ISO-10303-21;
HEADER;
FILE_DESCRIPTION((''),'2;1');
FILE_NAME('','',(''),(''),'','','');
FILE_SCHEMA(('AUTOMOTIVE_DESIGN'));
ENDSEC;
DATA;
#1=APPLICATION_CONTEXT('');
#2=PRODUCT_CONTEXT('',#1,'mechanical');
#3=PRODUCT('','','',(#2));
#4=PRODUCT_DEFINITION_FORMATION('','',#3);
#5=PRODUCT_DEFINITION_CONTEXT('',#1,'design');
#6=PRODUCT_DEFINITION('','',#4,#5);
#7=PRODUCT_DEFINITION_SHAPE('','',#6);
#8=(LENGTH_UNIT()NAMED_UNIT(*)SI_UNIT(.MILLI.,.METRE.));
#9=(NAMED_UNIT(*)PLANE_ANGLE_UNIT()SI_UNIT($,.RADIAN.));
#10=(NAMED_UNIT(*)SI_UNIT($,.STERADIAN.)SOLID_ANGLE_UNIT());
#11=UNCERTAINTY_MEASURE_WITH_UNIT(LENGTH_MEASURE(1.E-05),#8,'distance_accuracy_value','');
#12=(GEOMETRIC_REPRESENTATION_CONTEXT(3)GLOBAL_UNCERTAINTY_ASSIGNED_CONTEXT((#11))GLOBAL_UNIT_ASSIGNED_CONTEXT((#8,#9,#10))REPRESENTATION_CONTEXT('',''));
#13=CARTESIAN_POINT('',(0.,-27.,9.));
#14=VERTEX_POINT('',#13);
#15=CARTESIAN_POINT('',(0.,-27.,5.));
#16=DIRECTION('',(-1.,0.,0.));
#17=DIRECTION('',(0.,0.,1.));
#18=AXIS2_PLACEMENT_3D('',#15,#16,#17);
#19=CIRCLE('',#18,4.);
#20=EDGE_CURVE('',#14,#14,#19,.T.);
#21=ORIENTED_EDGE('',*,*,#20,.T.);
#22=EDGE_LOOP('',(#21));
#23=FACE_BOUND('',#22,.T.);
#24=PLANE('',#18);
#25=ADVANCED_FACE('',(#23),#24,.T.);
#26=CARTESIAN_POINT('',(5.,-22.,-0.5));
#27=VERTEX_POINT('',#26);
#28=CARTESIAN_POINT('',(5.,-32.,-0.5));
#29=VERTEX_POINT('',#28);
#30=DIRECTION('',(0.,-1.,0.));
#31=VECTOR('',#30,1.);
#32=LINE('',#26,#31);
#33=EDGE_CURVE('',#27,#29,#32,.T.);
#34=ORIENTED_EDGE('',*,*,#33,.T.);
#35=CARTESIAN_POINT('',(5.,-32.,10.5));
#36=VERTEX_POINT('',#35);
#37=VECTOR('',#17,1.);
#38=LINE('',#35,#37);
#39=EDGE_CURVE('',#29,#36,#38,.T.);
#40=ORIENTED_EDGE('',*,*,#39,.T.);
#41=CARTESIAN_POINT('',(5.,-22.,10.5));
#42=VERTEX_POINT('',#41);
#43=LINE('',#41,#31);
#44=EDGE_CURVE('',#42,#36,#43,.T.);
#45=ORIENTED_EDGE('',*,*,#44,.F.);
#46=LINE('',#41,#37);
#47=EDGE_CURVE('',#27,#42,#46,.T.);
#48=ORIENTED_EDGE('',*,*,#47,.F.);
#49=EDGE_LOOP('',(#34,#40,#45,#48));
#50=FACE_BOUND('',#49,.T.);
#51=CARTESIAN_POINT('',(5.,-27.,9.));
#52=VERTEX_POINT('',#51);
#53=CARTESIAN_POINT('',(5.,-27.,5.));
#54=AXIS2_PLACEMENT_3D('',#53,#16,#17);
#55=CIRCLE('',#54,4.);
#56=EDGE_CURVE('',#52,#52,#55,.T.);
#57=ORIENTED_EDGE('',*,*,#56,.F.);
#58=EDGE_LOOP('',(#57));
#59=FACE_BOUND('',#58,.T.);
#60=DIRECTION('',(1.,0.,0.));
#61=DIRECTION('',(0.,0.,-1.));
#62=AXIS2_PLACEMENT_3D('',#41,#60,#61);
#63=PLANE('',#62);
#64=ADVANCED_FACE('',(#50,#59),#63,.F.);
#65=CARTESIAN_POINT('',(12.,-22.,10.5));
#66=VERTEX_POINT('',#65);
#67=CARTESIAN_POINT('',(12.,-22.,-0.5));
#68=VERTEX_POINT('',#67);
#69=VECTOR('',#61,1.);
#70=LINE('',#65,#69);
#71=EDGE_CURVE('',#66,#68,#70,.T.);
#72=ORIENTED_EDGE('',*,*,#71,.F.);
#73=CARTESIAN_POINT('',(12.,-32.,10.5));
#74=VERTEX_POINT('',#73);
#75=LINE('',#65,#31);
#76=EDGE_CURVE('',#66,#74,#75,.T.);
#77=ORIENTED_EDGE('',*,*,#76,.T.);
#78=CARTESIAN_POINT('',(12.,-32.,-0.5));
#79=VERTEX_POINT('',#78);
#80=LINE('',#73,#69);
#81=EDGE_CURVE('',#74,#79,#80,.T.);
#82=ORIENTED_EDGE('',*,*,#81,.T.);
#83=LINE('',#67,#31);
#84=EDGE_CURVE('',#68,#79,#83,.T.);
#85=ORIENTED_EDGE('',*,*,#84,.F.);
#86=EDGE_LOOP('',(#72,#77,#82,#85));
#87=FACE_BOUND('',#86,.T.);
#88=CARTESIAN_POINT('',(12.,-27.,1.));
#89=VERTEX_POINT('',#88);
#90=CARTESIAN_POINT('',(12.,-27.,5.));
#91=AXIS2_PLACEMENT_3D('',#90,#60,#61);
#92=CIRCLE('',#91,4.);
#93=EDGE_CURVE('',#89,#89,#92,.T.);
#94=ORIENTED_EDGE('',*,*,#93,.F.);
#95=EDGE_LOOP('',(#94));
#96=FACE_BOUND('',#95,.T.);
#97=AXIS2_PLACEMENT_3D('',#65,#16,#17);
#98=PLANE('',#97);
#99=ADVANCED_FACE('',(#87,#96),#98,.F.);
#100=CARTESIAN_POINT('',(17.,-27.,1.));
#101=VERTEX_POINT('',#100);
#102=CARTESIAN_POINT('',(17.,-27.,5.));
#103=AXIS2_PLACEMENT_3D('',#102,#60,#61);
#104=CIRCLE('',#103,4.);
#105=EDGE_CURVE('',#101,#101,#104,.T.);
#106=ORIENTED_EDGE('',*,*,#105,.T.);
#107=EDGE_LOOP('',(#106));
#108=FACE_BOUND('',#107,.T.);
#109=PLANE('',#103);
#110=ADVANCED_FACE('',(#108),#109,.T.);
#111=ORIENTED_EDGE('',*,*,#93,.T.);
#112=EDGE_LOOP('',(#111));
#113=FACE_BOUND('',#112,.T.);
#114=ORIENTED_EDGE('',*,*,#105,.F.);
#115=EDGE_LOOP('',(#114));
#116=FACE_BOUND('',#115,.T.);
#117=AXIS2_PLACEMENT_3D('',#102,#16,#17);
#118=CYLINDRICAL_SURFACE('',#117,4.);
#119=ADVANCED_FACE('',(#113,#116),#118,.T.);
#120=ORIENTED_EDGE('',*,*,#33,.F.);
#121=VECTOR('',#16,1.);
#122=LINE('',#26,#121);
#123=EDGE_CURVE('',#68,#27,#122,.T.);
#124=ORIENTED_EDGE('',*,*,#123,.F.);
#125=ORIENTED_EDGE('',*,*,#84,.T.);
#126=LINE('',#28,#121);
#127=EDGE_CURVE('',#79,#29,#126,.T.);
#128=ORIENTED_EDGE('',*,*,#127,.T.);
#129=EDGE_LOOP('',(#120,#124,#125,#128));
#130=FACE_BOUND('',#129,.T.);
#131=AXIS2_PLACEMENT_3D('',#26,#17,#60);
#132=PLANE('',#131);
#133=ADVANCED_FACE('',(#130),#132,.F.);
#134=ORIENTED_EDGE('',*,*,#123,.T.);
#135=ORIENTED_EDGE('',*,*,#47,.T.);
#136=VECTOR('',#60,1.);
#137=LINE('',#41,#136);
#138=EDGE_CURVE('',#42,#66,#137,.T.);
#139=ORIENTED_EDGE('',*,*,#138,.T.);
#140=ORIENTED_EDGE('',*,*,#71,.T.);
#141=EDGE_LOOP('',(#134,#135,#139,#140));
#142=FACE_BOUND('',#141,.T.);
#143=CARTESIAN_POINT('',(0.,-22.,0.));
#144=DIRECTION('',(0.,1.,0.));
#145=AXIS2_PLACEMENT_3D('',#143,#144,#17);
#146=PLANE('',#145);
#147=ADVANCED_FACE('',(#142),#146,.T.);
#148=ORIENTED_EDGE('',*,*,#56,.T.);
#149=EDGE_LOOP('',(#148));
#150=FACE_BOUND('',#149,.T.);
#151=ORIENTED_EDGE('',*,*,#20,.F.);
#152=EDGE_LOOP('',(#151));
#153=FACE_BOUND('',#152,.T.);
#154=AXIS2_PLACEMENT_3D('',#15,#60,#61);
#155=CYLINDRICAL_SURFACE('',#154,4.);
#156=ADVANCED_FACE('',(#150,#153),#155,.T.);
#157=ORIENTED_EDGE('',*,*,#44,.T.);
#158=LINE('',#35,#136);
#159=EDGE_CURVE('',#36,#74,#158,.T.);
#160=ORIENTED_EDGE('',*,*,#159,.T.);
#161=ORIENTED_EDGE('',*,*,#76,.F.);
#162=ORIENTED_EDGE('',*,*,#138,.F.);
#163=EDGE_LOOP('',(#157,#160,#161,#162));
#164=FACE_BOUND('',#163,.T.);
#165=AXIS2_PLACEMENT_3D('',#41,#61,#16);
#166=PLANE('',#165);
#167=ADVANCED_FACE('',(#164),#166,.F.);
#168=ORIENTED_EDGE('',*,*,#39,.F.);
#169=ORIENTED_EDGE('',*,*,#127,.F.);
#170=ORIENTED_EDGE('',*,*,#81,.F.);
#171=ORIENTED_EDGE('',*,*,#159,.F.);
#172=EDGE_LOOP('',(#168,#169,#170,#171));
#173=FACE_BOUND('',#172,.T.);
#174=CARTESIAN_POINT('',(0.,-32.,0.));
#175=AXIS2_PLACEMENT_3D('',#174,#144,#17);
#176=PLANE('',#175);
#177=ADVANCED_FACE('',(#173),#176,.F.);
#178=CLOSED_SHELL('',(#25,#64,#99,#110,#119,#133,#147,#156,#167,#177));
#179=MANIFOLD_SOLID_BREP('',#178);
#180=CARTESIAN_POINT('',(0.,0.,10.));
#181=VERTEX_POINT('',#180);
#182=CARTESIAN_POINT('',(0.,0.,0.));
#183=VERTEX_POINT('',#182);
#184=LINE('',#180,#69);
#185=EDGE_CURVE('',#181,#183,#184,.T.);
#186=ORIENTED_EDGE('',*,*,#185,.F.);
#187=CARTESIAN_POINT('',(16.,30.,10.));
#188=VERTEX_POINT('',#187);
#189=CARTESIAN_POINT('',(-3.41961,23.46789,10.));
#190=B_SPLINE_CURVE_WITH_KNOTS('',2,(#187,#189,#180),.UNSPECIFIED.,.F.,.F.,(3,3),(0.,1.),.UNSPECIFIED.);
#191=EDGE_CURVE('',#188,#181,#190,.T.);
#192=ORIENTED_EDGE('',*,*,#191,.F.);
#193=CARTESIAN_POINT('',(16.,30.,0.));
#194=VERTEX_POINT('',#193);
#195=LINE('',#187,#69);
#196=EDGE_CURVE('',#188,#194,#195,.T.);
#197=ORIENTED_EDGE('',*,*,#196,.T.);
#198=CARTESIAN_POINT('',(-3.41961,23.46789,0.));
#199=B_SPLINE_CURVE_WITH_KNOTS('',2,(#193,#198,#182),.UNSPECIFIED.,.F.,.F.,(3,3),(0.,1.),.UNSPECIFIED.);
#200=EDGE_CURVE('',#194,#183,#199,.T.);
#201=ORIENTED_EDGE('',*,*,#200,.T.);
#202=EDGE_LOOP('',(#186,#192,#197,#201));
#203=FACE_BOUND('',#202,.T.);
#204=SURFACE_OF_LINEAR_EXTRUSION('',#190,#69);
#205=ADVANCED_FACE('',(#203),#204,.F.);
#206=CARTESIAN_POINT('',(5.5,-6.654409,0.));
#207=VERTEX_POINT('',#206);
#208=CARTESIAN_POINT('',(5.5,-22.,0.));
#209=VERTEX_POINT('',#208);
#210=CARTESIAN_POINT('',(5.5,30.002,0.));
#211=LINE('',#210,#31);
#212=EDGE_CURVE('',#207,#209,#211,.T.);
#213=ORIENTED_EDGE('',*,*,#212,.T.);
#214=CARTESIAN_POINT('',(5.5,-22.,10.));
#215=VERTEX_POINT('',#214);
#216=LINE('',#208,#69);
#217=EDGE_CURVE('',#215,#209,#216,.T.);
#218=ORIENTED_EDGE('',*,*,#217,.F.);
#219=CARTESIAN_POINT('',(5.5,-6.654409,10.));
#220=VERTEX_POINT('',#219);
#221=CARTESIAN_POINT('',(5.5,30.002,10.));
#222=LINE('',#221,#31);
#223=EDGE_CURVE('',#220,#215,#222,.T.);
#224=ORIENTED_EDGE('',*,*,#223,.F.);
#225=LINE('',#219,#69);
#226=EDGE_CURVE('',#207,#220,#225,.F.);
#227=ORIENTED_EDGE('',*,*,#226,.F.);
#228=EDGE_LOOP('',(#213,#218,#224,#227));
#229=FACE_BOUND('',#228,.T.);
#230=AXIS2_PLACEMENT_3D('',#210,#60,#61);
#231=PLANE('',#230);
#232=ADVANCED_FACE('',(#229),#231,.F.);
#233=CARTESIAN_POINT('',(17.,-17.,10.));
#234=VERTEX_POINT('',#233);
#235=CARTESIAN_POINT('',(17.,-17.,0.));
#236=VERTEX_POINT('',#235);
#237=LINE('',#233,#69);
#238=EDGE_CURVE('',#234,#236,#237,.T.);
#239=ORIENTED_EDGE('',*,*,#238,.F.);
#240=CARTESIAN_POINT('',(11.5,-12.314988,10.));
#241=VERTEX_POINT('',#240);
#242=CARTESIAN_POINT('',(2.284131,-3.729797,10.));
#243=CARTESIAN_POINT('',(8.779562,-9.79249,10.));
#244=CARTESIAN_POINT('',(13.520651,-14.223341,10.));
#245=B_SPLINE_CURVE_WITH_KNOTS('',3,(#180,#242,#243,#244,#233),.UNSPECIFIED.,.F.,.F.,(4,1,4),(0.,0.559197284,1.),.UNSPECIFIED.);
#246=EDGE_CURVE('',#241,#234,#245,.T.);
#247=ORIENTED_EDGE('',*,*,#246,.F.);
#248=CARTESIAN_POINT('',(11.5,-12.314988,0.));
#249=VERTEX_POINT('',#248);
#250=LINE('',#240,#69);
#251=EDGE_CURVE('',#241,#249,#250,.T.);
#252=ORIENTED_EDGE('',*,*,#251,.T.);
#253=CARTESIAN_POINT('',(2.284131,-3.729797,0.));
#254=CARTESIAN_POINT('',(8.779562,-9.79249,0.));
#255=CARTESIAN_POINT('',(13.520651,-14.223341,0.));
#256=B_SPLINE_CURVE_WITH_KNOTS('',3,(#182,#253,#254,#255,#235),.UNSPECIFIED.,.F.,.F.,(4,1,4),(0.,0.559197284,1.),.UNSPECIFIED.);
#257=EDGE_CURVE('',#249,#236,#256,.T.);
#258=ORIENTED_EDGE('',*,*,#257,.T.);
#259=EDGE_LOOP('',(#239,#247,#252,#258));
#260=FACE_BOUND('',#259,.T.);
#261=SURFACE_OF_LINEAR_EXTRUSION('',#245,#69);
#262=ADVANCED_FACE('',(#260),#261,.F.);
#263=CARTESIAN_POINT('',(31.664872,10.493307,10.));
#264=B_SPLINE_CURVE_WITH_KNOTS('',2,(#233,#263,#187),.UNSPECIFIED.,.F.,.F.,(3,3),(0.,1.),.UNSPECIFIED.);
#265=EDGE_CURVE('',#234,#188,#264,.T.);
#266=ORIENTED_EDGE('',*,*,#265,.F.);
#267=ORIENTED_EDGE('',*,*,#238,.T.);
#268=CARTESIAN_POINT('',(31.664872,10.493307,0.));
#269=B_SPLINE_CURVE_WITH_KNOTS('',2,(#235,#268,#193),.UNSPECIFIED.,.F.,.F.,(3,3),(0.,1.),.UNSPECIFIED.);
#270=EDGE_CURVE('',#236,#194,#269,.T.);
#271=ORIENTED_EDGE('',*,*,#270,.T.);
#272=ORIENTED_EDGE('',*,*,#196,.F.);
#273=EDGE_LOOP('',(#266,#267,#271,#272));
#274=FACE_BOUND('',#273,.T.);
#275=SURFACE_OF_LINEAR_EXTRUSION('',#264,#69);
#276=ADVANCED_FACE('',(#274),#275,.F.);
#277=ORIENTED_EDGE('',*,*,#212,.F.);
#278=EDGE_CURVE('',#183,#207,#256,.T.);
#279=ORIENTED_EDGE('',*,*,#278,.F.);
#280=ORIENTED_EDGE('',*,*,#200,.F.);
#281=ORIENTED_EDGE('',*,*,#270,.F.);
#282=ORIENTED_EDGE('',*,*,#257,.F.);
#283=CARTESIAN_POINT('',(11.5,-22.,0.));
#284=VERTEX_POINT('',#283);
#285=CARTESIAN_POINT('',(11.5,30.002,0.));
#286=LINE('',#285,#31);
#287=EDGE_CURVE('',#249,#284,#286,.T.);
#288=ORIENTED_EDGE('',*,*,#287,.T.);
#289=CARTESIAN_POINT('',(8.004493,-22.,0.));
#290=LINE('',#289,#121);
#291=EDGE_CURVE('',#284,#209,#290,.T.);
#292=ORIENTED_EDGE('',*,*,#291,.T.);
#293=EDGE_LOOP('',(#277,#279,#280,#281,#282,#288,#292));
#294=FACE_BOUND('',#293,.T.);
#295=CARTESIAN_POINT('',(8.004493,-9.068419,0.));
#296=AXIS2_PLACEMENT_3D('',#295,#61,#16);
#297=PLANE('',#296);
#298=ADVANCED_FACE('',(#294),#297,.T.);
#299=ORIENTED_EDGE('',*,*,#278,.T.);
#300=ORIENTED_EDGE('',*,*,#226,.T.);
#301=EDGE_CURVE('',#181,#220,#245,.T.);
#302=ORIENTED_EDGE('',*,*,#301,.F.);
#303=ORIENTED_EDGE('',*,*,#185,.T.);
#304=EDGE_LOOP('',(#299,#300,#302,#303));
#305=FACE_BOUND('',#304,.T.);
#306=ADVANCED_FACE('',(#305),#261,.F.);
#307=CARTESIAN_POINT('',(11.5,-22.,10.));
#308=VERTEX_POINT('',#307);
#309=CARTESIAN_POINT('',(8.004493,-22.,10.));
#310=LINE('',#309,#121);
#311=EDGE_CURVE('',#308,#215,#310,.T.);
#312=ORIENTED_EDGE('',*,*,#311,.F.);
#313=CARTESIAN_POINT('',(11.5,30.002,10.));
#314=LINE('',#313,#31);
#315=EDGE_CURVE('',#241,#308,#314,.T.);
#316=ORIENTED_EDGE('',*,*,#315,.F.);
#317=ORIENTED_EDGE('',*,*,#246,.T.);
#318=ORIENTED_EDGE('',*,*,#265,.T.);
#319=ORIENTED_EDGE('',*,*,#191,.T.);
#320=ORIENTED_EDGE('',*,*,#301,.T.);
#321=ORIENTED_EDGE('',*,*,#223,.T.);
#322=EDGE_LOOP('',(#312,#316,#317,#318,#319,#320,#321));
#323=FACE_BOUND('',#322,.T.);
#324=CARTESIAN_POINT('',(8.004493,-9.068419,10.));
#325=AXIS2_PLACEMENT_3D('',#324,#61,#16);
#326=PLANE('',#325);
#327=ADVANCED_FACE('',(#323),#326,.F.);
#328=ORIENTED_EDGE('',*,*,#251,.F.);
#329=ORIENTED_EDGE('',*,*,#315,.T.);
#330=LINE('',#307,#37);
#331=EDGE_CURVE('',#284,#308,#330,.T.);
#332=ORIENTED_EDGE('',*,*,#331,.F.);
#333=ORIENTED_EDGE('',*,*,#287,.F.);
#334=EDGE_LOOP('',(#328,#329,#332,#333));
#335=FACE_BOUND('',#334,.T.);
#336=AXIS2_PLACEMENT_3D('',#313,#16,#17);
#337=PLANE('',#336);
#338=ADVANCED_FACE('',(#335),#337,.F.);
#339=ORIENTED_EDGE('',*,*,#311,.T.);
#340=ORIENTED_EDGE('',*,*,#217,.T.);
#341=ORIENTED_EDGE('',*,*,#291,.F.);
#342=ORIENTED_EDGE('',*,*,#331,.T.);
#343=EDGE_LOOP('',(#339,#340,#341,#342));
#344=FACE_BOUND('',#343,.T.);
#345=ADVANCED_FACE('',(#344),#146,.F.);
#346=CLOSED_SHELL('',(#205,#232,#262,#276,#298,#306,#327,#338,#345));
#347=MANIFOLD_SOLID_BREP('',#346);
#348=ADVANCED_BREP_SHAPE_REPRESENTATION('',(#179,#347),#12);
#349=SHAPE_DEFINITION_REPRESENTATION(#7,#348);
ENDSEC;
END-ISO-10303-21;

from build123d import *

# Parameters (mm, degrees)
BOSS_EXTRUDE1_DEPTH = 10
BOSS_EXTRUDE3_REACH = 69.263
SKETCH5_W           = 6
SKETCH5_H           = 10
SKETCH6_W           = 6.999999994
SKETCH6_H           = 11
BOSS_EXTRUDE4_DEPTH = 10
SKETCH7_R           = 4
BOSS_EXTRUDE5_DEPTH = 5
BOSS_EXTRUDE6_START = 5
SKETCH8_R           = 4
BOSS_EXTRUDE6_DEPTH = 5


with BuildPart() as part:
    # Sketch1 → Boss-Extrude1 (new body)
    with BuildSketch(Plane.XY):
        with BuildLine():
            add(Edge.make_bspline(
                [(0, 0), (-3.419610413, 23.467889897), (16, 30)],
                knots=[0, 0, 0, 1, 1, 1], degree=2))
            add(Edge.make_bspline(
                [(16, 30), (31.664871657, 10.493306503), (17, -17)],
                knots=[0, 0, 0, 1, 1, 1], degree=2))
            add(Edge.make_bspline(
                [(0, 0), (2.284131215, -3.729797084), (8.779561726, -9.792489567), (13.520650698, -14.223340653), (17, -17)],
                knots=[0, 0, 0, 0, 0.559197284, 1, 1, 1, 1], degree=3))
        make_face()
    extrude(amount=BOSS_EXTRUDE1_DEPTH)

    # Sketch5 → Boss-Extrude3 (add, up to next)
    with BuildSketch(Plane(origin=(0, -32, 0), x_dir=(1, 0, 0), z_dir=(0, 1, 0)), mode=Mode.PRIVATE) as boss_extrude3_sk1:
        with Locations((8.5, -5)):
            Rectangle(SKETCH5_W, SKETCH5_H)
    boss_extrude3_tool1 = extrude(boss_extrude3_sk1.sketch, amount=BOSS_EXTRUDE3_REACH, mode=Mode.PRIVATE) - part.part
    add(boss_extrude3_tool1.solids().sort_by_distance((8.5, -32, 5))[0])

    # Sketch6 → Boss-Extrude4 (add)
    with BuildSketch(Plane(origin=(0, -32, 0), x_dir=(1, 0, 0), z_dir=(0, 1, 0))):
        with Locations((8.499999997, -5)):
            Rectangle(SKETCH6_W, SKETCH6_H)
    extrude(amount=BOSS_EXTRUDE4_DEPTH)

    # Sketch7 → Boss-Extrude5 (add)
    with BuildSketch(Plane(origin=(11.999999994, 0, 0), x_dir=(0, 0, -1), z_dir=(1, 0, 0))):
        with Locations((-5, -27)):
            Circle(SKETCH7_R)
    extrude(amount=BOSS_EXTRUDE5_DEPTH)

    # Sketch8 → Boss-Extrude6 (add)
    with BuildSketch(Plane.ZY.offset(-5).offset(BOSS_EXTRUDE6_START)):
        with Locations(Location((5, -27, 0), (0, 0, 180))):
            Circle(SKETCH8_R)
    extrude(amount=-BOSS_EXTRUDE6_DEPTH)


with BuildPart() as body_2:
    # Split1: the piece on the far side of the plane
    add(part.part)
    split(bisect_by=Plane.ZX.offset(-22), keep=Keep.BOTTOM)


with BuildPart() as part_1:
    add(part.part)

    # Split1
    split(bisect_by=Plane.ZX.offset(-22), keep=Keep.TOP)


solid = Compound([body_2.part, part_1.part])
